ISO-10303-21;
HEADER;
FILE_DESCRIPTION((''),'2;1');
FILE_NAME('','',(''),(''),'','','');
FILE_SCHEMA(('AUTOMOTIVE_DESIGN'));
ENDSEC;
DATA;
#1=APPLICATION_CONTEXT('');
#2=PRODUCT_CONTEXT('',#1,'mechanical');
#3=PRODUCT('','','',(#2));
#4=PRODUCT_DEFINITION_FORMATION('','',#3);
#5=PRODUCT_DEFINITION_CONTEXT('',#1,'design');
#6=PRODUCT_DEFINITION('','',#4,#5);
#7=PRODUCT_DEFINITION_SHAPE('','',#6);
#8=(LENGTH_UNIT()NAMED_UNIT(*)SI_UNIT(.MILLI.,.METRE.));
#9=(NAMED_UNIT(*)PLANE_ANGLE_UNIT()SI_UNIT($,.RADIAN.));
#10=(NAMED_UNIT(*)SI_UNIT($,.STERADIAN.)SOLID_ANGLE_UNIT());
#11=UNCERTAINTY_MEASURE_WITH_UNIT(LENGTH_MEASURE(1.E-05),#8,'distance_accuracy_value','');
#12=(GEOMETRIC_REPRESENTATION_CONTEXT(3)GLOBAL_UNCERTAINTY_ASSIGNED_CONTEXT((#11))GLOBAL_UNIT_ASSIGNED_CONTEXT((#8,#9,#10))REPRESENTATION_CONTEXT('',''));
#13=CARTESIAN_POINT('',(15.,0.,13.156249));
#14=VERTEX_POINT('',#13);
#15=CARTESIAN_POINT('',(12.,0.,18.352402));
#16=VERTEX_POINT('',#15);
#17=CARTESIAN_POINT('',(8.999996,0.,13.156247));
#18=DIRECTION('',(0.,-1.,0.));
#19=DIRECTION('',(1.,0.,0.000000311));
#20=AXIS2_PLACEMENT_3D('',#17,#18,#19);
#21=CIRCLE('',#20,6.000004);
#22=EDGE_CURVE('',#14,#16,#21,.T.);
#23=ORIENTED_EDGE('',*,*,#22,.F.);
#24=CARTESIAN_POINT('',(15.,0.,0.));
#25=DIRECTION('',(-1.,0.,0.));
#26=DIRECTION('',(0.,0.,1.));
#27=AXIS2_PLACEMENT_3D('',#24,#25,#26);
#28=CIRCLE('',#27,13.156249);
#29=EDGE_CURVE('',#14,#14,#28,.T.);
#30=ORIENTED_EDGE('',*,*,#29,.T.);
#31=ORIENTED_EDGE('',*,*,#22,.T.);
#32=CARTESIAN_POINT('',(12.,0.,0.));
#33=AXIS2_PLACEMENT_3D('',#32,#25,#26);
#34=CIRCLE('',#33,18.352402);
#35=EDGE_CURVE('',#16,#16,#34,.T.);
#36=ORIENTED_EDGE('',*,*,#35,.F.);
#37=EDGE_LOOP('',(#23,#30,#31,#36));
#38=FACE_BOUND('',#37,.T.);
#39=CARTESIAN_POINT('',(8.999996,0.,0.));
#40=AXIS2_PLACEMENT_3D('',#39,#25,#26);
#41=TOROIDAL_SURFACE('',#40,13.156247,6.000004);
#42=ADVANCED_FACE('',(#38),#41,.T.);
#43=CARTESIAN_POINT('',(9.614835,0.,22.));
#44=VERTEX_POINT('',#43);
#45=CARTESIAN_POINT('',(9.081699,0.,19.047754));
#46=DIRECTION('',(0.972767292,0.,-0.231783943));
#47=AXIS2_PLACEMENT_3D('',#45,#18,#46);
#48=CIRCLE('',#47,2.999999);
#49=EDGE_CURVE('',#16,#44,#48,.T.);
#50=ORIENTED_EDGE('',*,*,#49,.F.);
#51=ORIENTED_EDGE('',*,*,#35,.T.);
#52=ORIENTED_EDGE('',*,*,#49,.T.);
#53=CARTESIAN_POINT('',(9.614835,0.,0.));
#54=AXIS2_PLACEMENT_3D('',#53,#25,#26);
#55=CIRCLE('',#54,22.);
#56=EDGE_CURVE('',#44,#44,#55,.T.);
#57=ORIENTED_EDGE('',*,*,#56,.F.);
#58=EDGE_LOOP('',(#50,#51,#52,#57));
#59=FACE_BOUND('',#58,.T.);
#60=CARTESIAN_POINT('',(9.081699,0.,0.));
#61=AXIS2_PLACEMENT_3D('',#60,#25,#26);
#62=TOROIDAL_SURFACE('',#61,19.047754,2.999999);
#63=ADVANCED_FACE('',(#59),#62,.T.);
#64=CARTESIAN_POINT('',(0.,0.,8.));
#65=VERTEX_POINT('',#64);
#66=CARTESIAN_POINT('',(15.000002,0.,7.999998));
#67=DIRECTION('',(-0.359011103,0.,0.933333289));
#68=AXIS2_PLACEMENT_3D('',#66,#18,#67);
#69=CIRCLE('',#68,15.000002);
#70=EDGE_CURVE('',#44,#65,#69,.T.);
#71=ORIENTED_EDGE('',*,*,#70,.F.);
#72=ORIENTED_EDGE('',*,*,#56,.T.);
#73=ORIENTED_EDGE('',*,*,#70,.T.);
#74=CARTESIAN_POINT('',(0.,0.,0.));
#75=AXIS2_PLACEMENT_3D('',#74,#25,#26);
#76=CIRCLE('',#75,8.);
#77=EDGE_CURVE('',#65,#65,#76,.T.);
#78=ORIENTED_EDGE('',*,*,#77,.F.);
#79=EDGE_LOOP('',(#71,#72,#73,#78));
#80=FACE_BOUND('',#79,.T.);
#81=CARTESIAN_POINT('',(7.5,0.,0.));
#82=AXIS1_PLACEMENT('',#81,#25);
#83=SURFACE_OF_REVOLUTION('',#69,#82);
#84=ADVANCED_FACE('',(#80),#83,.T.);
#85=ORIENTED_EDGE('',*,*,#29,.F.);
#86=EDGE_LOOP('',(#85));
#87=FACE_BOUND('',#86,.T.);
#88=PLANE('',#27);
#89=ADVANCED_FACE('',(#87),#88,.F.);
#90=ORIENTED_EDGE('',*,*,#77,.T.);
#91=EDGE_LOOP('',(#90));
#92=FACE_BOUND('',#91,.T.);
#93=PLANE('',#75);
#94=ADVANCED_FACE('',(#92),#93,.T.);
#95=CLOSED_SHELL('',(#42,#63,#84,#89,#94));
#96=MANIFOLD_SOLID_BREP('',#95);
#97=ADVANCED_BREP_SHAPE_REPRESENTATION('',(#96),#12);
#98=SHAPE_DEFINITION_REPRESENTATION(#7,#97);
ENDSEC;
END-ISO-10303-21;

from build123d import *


with BuildPart() as f1:
    # F0 (on Front) → F1 (revolve)
    with BuildSketch(Plane.XZ):
        with BuildLine():
            Line((0, 8), (0, 0))
            Line((0, 0), (15, 0))
            Line((15, 0), (15, 13.156249))
            ThreePointArc((15, 13.156249), (14.196152, 16.156249), (12, 18.352402))
            ThreePointArc((12, 18.352402), (11.592545, 20.689596), (9.614835, 22))
            ThreePointArc((9.614835, 22), (2.635182, 16.491835), (0, 8))
        make_face()
    revolve(axis=Axis((7.5, 0, 0), (-1, 0, 0)))


solid = f1.part
